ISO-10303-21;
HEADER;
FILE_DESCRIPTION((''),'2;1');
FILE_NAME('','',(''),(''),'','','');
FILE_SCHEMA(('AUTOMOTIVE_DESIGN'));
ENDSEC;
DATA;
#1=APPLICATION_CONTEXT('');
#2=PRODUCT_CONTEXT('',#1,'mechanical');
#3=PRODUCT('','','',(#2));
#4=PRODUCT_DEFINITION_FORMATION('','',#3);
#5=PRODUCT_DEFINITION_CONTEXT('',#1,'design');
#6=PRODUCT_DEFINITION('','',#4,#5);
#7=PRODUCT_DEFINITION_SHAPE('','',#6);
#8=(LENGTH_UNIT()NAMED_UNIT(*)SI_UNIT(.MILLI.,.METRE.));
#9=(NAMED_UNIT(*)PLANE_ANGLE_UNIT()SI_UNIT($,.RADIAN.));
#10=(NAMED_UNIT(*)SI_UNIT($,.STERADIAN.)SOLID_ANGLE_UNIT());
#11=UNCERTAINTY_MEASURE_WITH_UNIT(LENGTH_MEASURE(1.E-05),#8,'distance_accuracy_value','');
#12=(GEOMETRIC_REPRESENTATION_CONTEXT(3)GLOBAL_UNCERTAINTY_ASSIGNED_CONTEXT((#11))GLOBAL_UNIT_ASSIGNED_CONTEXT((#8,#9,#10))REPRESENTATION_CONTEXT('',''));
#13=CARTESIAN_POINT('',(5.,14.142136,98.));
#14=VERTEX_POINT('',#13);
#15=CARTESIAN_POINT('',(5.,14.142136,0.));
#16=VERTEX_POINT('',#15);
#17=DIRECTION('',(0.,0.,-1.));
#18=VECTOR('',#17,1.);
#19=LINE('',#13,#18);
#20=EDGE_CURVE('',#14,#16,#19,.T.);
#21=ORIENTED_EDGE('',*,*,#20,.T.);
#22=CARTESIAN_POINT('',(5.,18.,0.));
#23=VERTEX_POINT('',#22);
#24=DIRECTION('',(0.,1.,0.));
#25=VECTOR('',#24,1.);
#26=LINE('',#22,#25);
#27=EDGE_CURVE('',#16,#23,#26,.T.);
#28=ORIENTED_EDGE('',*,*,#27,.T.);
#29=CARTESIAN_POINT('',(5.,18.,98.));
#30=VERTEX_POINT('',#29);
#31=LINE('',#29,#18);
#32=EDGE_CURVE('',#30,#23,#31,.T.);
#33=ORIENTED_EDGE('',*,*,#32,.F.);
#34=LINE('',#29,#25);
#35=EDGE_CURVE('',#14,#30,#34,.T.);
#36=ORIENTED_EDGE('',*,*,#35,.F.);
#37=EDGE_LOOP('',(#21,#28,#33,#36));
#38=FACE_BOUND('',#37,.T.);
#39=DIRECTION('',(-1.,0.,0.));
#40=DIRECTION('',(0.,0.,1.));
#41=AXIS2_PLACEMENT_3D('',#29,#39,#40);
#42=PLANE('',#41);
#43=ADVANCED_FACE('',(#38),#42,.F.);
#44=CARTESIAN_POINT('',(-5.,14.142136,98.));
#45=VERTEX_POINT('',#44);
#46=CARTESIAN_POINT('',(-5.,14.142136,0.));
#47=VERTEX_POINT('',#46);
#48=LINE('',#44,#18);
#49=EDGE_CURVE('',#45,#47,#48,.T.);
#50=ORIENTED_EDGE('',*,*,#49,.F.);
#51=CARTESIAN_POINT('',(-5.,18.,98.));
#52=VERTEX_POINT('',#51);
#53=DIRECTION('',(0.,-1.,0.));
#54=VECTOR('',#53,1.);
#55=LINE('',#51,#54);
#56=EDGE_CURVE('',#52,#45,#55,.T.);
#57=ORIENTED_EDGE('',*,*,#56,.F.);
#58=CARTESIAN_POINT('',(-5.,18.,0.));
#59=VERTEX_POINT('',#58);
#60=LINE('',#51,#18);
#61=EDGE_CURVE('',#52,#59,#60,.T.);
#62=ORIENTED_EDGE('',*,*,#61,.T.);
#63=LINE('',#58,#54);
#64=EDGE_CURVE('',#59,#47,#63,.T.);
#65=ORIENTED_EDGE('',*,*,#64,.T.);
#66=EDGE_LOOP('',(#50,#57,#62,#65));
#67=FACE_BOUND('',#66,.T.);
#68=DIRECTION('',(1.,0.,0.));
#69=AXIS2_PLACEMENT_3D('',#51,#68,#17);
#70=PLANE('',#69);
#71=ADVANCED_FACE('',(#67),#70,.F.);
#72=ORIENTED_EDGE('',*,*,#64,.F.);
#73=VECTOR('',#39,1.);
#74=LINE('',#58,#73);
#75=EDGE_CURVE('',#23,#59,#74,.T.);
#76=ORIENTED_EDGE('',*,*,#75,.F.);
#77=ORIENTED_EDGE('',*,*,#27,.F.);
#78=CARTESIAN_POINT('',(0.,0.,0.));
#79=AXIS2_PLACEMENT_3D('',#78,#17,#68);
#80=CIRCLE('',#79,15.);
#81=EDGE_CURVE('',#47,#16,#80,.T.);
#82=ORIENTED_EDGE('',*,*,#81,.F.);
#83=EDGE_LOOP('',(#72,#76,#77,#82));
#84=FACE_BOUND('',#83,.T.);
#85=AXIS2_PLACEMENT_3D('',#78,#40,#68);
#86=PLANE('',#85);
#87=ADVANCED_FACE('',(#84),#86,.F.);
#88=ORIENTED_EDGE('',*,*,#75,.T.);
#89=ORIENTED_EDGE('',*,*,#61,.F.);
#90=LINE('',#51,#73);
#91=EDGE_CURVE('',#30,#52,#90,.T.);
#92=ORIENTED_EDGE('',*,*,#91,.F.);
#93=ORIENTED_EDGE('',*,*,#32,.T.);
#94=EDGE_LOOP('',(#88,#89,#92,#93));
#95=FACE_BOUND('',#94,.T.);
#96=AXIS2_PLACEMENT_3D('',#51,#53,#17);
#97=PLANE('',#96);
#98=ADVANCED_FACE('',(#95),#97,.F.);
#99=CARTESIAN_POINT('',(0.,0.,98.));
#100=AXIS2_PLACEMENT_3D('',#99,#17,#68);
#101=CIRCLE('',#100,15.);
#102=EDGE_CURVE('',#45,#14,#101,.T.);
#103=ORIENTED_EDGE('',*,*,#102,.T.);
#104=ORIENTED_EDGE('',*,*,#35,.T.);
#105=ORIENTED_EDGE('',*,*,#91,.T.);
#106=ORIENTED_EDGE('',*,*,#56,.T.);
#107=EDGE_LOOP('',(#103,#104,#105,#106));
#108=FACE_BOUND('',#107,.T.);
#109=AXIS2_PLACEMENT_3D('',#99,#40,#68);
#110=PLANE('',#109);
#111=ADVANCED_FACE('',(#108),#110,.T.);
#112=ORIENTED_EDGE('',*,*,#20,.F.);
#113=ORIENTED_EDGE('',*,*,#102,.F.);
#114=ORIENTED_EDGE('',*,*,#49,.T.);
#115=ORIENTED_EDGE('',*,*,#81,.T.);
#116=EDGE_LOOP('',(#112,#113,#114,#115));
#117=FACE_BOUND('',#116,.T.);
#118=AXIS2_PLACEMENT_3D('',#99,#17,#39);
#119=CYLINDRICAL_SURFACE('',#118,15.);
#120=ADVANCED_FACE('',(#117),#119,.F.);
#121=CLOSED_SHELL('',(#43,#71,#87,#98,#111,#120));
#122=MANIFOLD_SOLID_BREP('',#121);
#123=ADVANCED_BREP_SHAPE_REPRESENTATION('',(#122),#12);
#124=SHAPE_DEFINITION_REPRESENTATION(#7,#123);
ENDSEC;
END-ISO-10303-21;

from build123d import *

# Parameters (mm, degrees)
BOSS_EXTRUDE1_DEPTH = 98


with BuildPart() as part:
    # Sketch1 → Boss-Extrude1 (new body)
    with BuildSketch(Plane.XY):
        with BuildLine():
            Line((-5, 18), (5, 18))
            Line((5, 18), (5, 14.142135624))
            ThreePointArc((5, 14.142135624), (0, 15), (-5, 14.142135624))
            Line((-5, 14.142135624), (-5, 18))
        make_face()
    extrude(amount=BOSS_EXTRUDE1_DEPTH)


solid = part.part
